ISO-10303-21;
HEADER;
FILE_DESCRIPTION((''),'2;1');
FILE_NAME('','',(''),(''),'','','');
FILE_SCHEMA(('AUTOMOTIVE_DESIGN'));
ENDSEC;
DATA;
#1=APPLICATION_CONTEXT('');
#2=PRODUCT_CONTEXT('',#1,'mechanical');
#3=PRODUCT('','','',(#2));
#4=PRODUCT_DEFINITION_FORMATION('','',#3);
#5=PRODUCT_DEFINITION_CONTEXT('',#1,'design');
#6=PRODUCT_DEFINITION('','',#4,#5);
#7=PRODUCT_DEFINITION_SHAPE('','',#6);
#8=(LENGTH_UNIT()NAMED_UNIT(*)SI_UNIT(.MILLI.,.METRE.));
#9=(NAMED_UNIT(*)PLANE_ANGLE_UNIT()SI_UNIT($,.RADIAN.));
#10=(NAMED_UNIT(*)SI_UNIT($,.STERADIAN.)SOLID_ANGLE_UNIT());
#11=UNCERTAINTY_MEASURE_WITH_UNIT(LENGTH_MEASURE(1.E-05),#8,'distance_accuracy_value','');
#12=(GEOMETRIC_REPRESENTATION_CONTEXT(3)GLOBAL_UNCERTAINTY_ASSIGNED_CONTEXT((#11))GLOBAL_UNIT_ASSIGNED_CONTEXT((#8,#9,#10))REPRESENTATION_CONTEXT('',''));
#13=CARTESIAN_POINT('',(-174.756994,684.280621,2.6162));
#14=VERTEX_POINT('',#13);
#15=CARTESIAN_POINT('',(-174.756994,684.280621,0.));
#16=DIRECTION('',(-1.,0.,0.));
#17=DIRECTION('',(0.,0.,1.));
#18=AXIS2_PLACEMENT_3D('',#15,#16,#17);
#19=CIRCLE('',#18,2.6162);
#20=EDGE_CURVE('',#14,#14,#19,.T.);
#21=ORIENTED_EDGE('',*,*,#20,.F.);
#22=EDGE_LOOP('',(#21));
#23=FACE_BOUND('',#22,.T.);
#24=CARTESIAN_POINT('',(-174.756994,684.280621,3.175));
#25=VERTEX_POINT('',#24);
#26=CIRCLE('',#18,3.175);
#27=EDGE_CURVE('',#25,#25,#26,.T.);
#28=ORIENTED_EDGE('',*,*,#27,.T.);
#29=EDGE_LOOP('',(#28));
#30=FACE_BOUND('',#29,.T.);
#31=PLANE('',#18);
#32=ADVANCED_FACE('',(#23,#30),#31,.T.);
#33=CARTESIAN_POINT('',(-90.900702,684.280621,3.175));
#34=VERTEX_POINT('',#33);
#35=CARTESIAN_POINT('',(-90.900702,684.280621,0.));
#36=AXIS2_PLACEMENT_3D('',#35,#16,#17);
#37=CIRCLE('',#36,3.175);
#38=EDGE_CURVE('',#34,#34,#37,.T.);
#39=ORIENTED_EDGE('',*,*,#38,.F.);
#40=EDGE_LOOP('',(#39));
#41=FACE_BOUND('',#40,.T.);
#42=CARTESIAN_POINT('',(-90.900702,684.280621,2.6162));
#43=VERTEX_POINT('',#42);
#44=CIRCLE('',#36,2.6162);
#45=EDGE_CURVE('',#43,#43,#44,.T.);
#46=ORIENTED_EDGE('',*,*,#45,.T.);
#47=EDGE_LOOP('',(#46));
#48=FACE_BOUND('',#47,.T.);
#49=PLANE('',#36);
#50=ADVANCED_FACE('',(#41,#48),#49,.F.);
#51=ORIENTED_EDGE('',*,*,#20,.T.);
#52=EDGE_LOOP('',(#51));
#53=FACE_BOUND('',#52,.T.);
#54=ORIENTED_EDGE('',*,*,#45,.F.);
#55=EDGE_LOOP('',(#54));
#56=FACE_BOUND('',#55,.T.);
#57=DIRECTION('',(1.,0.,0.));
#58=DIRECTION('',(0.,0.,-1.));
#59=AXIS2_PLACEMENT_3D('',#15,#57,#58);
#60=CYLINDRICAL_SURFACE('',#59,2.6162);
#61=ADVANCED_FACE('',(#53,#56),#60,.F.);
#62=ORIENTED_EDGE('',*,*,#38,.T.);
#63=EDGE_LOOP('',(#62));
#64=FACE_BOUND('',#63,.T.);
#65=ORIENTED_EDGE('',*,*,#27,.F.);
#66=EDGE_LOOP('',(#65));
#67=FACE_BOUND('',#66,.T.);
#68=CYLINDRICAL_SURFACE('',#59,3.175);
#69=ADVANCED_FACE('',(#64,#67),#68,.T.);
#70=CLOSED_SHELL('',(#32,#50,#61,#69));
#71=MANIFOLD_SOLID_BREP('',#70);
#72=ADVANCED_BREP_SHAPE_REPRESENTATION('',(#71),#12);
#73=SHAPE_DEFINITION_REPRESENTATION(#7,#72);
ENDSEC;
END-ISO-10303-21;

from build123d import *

# Parameters (mm, degrees)
SKETCH1_R               = 3.175
SKETCH1_R_2             = 2.6162
PIPE_0_5_SCH_40_1_DEPTH = 83.856292536


with BuildPart() as part:
    # Sketch1 → Pipe 0.5 SCH 40(1) (new body)
    with BuildSketch(Plane(origin=(-90.900701595, 684.280621263, 0), x_dir=(0, -1, 0), z_dir=(-1, 0, 0))):
        Circle(SKETCH1_R)
        Circle(SKETCH1_R_2, mode=Mode.SUBTRACT)
    extrude(amount=PIPE_0_5_SCH_40_1_DEPTH)


solid = part.part
